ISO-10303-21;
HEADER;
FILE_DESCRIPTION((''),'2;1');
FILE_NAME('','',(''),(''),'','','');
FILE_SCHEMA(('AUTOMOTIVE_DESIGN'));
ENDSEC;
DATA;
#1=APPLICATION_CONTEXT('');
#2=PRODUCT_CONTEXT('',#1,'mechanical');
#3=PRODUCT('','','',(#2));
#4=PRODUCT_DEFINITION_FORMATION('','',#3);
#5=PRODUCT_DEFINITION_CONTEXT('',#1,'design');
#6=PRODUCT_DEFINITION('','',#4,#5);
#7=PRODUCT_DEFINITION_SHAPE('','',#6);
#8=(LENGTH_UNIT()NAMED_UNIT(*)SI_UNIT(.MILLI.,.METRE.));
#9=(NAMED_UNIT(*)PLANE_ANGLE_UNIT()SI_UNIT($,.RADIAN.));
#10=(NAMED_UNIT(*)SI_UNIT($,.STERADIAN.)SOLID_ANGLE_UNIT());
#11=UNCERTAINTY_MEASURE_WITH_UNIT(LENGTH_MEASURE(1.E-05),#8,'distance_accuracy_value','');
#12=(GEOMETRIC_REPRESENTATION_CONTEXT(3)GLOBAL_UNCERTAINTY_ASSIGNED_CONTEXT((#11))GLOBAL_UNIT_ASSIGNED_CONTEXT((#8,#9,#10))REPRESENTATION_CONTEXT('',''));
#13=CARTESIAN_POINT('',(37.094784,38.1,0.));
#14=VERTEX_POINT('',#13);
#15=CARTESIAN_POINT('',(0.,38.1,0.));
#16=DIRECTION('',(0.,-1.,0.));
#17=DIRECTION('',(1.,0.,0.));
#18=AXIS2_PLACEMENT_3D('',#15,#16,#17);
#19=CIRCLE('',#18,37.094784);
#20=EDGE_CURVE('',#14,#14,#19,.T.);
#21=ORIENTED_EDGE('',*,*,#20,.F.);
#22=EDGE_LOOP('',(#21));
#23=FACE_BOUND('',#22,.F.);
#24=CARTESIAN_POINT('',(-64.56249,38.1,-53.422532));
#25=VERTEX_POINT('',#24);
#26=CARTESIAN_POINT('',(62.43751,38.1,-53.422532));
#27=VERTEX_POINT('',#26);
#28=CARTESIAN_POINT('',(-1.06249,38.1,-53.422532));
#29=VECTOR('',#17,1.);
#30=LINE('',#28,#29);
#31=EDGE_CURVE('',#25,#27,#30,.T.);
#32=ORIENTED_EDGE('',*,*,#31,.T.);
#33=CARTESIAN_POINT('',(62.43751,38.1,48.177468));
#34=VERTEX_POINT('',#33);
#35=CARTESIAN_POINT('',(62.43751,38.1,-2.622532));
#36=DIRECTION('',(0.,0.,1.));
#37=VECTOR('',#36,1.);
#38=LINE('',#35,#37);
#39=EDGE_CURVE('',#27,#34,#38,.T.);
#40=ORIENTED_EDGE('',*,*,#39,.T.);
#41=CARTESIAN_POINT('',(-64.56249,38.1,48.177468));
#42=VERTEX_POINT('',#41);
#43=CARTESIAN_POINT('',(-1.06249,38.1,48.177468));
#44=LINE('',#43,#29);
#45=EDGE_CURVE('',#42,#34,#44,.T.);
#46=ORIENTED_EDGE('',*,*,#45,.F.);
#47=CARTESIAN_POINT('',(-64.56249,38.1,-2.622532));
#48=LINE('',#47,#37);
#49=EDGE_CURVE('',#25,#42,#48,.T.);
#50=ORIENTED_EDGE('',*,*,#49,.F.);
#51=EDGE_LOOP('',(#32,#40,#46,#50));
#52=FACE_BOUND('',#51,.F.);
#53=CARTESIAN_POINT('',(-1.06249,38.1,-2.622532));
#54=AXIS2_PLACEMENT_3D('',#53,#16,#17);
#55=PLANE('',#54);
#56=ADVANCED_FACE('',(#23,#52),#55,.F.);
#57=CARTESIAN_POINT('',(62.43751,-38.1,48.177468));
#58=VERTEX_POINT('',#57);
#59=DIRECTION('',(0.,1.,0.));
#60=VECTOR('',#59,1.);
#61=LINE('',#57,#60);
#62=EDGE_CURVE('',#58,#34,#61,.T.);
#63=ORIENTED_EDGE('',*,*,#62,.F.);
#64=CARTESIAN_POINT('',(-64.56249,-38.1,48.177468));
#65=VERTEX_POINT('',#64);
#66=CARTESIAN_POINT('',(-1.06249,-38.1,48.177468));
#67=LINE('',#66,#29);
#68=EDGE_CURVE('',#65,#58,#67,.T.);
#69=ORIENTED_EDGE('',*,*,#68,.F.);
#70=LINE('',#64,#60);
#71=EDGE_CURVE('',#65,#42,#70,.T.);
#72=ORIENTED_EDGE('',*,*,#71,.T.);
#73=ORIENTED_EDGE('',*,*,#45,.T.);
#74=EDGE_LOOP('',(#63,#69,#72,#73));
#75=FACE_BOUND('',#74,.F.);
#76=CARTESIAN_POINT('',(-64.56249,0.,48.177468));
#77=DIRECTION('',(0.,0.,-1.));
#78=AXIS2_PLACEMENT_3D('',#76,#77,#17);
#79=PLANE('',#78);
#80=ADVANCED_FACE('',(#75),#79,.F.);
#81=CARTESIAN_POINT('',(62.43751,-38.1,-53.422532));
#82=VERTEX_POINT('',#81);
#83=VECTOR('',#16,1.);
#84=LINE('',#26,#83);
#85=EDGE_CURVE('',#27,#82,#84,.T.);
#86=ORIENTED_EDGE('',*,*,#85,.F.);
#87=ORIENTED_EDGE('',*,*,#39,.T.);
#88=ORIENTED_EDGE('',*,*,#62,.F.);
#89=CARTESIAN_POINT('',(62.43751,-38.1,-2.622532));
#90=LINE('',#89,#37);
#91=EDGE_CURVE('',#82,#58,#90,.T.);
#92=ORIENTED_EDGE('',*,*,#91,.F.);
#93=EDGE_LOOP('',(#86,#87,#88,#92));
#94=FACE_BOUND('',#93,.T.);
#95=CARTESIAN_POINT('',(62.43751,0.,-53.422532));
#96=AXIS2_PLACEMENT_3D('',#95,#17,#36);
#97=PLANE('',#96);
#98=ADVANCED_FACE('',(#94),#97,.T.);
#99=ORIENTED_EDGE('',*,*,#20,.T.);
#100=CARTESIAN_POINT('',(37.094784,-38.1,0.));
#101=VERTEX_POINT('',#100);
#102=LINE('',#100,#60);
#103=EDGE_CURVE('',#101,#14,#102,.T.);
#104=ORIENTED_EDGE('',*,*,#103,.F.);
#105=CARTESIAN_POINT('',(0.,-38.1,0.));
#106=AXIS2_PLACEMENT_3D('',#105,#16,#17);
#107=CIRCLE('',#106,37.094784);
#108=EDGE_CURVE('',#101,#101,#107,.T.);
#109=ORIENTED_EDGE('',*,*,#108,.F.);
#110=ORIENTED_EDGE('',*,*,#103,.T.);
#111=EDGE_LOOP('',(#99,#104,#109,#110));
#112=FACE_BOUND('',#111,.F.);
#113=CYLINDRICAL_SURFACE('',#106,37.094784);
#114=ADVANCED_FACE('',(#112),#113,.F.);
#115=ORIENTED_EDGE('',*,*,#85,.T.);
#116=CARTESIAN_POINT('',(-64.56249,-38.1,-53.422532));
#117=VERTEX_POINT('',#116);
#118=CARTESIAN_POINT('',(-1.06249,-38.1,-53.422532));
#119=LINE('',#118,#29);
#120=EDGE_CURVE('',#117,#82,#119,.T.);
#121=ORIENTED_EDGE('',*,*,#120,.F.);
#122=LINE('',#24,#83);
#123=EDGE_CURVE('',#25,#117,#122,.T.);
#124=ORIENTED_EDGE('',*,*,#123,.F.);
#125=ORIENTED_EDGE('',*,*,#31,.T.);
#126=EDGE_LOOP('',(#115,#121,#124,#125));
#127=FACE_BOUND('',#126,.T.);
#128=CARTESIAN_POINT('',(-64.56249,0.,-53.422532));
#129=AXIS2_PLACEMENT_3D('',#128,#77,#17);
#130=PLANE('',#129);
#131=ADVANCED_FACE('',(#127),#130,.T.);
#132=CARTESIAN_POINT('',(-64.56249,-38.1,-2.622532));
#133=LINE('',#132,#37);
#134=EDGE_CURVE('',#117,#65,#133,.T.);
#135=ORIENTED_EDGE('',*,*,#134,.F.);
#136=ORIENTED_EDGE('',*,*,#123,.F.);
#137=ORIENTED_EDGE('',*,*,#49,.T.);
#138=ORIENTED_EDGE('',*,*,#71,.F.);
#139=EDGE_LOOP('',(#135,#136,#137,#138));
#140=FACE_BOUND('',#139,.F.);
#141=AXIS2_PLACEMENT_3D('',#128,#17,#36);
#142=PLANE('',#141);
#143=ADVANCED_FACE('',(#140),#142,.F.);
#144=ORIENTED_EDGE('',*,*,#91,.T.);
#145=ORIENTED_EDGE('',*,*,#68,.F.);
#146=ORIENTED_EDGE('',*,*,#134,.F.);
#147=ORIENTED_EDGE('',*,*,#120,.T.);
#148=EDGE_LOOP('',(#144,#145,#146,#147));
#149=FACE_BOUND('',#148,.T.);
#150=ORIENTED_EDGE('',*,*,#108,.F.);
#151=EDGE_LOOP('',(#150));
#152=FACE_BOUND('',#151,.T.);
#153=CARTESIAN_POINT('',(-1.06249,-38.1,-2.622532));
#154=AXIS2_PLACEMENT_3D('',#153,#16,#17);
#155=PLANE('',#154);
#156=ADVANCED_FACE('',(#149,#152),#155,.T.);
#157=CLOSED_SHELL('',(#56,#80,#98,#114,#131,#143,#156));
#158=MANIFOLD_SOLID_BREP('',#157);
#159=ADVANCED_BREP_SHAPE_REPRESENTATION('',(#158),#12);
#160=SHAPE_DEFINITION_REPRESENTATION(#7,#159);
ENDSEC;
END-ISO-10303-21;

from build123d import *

# Parameters (mm, degrees)
F0_W     = 127
F0_H     = 101.6
F1_DEPTH = 38.1
F2_R     = 37.094784
F3_DEPTH = 76.201


with BuildPart() as f1:
    # F0 (on Front) → F1 (new body, symmetric)
    with BuildSketch(Plane.XZ):
        with Locations((-1.06249, -2.622532)):
            Rectangle(F0_W, F0_H)
    extrude(amount=F1_DEPTH, both=True)

    # F2 (on face) → F3 (cut, through all)
    with BuildSketch(Plane.XZ.offset(38.1)):
        Circle(F2_R)
    extrude(amount=-F3_DEPTH, mode=Mode.SUBTRACT)


solid = f1.part
